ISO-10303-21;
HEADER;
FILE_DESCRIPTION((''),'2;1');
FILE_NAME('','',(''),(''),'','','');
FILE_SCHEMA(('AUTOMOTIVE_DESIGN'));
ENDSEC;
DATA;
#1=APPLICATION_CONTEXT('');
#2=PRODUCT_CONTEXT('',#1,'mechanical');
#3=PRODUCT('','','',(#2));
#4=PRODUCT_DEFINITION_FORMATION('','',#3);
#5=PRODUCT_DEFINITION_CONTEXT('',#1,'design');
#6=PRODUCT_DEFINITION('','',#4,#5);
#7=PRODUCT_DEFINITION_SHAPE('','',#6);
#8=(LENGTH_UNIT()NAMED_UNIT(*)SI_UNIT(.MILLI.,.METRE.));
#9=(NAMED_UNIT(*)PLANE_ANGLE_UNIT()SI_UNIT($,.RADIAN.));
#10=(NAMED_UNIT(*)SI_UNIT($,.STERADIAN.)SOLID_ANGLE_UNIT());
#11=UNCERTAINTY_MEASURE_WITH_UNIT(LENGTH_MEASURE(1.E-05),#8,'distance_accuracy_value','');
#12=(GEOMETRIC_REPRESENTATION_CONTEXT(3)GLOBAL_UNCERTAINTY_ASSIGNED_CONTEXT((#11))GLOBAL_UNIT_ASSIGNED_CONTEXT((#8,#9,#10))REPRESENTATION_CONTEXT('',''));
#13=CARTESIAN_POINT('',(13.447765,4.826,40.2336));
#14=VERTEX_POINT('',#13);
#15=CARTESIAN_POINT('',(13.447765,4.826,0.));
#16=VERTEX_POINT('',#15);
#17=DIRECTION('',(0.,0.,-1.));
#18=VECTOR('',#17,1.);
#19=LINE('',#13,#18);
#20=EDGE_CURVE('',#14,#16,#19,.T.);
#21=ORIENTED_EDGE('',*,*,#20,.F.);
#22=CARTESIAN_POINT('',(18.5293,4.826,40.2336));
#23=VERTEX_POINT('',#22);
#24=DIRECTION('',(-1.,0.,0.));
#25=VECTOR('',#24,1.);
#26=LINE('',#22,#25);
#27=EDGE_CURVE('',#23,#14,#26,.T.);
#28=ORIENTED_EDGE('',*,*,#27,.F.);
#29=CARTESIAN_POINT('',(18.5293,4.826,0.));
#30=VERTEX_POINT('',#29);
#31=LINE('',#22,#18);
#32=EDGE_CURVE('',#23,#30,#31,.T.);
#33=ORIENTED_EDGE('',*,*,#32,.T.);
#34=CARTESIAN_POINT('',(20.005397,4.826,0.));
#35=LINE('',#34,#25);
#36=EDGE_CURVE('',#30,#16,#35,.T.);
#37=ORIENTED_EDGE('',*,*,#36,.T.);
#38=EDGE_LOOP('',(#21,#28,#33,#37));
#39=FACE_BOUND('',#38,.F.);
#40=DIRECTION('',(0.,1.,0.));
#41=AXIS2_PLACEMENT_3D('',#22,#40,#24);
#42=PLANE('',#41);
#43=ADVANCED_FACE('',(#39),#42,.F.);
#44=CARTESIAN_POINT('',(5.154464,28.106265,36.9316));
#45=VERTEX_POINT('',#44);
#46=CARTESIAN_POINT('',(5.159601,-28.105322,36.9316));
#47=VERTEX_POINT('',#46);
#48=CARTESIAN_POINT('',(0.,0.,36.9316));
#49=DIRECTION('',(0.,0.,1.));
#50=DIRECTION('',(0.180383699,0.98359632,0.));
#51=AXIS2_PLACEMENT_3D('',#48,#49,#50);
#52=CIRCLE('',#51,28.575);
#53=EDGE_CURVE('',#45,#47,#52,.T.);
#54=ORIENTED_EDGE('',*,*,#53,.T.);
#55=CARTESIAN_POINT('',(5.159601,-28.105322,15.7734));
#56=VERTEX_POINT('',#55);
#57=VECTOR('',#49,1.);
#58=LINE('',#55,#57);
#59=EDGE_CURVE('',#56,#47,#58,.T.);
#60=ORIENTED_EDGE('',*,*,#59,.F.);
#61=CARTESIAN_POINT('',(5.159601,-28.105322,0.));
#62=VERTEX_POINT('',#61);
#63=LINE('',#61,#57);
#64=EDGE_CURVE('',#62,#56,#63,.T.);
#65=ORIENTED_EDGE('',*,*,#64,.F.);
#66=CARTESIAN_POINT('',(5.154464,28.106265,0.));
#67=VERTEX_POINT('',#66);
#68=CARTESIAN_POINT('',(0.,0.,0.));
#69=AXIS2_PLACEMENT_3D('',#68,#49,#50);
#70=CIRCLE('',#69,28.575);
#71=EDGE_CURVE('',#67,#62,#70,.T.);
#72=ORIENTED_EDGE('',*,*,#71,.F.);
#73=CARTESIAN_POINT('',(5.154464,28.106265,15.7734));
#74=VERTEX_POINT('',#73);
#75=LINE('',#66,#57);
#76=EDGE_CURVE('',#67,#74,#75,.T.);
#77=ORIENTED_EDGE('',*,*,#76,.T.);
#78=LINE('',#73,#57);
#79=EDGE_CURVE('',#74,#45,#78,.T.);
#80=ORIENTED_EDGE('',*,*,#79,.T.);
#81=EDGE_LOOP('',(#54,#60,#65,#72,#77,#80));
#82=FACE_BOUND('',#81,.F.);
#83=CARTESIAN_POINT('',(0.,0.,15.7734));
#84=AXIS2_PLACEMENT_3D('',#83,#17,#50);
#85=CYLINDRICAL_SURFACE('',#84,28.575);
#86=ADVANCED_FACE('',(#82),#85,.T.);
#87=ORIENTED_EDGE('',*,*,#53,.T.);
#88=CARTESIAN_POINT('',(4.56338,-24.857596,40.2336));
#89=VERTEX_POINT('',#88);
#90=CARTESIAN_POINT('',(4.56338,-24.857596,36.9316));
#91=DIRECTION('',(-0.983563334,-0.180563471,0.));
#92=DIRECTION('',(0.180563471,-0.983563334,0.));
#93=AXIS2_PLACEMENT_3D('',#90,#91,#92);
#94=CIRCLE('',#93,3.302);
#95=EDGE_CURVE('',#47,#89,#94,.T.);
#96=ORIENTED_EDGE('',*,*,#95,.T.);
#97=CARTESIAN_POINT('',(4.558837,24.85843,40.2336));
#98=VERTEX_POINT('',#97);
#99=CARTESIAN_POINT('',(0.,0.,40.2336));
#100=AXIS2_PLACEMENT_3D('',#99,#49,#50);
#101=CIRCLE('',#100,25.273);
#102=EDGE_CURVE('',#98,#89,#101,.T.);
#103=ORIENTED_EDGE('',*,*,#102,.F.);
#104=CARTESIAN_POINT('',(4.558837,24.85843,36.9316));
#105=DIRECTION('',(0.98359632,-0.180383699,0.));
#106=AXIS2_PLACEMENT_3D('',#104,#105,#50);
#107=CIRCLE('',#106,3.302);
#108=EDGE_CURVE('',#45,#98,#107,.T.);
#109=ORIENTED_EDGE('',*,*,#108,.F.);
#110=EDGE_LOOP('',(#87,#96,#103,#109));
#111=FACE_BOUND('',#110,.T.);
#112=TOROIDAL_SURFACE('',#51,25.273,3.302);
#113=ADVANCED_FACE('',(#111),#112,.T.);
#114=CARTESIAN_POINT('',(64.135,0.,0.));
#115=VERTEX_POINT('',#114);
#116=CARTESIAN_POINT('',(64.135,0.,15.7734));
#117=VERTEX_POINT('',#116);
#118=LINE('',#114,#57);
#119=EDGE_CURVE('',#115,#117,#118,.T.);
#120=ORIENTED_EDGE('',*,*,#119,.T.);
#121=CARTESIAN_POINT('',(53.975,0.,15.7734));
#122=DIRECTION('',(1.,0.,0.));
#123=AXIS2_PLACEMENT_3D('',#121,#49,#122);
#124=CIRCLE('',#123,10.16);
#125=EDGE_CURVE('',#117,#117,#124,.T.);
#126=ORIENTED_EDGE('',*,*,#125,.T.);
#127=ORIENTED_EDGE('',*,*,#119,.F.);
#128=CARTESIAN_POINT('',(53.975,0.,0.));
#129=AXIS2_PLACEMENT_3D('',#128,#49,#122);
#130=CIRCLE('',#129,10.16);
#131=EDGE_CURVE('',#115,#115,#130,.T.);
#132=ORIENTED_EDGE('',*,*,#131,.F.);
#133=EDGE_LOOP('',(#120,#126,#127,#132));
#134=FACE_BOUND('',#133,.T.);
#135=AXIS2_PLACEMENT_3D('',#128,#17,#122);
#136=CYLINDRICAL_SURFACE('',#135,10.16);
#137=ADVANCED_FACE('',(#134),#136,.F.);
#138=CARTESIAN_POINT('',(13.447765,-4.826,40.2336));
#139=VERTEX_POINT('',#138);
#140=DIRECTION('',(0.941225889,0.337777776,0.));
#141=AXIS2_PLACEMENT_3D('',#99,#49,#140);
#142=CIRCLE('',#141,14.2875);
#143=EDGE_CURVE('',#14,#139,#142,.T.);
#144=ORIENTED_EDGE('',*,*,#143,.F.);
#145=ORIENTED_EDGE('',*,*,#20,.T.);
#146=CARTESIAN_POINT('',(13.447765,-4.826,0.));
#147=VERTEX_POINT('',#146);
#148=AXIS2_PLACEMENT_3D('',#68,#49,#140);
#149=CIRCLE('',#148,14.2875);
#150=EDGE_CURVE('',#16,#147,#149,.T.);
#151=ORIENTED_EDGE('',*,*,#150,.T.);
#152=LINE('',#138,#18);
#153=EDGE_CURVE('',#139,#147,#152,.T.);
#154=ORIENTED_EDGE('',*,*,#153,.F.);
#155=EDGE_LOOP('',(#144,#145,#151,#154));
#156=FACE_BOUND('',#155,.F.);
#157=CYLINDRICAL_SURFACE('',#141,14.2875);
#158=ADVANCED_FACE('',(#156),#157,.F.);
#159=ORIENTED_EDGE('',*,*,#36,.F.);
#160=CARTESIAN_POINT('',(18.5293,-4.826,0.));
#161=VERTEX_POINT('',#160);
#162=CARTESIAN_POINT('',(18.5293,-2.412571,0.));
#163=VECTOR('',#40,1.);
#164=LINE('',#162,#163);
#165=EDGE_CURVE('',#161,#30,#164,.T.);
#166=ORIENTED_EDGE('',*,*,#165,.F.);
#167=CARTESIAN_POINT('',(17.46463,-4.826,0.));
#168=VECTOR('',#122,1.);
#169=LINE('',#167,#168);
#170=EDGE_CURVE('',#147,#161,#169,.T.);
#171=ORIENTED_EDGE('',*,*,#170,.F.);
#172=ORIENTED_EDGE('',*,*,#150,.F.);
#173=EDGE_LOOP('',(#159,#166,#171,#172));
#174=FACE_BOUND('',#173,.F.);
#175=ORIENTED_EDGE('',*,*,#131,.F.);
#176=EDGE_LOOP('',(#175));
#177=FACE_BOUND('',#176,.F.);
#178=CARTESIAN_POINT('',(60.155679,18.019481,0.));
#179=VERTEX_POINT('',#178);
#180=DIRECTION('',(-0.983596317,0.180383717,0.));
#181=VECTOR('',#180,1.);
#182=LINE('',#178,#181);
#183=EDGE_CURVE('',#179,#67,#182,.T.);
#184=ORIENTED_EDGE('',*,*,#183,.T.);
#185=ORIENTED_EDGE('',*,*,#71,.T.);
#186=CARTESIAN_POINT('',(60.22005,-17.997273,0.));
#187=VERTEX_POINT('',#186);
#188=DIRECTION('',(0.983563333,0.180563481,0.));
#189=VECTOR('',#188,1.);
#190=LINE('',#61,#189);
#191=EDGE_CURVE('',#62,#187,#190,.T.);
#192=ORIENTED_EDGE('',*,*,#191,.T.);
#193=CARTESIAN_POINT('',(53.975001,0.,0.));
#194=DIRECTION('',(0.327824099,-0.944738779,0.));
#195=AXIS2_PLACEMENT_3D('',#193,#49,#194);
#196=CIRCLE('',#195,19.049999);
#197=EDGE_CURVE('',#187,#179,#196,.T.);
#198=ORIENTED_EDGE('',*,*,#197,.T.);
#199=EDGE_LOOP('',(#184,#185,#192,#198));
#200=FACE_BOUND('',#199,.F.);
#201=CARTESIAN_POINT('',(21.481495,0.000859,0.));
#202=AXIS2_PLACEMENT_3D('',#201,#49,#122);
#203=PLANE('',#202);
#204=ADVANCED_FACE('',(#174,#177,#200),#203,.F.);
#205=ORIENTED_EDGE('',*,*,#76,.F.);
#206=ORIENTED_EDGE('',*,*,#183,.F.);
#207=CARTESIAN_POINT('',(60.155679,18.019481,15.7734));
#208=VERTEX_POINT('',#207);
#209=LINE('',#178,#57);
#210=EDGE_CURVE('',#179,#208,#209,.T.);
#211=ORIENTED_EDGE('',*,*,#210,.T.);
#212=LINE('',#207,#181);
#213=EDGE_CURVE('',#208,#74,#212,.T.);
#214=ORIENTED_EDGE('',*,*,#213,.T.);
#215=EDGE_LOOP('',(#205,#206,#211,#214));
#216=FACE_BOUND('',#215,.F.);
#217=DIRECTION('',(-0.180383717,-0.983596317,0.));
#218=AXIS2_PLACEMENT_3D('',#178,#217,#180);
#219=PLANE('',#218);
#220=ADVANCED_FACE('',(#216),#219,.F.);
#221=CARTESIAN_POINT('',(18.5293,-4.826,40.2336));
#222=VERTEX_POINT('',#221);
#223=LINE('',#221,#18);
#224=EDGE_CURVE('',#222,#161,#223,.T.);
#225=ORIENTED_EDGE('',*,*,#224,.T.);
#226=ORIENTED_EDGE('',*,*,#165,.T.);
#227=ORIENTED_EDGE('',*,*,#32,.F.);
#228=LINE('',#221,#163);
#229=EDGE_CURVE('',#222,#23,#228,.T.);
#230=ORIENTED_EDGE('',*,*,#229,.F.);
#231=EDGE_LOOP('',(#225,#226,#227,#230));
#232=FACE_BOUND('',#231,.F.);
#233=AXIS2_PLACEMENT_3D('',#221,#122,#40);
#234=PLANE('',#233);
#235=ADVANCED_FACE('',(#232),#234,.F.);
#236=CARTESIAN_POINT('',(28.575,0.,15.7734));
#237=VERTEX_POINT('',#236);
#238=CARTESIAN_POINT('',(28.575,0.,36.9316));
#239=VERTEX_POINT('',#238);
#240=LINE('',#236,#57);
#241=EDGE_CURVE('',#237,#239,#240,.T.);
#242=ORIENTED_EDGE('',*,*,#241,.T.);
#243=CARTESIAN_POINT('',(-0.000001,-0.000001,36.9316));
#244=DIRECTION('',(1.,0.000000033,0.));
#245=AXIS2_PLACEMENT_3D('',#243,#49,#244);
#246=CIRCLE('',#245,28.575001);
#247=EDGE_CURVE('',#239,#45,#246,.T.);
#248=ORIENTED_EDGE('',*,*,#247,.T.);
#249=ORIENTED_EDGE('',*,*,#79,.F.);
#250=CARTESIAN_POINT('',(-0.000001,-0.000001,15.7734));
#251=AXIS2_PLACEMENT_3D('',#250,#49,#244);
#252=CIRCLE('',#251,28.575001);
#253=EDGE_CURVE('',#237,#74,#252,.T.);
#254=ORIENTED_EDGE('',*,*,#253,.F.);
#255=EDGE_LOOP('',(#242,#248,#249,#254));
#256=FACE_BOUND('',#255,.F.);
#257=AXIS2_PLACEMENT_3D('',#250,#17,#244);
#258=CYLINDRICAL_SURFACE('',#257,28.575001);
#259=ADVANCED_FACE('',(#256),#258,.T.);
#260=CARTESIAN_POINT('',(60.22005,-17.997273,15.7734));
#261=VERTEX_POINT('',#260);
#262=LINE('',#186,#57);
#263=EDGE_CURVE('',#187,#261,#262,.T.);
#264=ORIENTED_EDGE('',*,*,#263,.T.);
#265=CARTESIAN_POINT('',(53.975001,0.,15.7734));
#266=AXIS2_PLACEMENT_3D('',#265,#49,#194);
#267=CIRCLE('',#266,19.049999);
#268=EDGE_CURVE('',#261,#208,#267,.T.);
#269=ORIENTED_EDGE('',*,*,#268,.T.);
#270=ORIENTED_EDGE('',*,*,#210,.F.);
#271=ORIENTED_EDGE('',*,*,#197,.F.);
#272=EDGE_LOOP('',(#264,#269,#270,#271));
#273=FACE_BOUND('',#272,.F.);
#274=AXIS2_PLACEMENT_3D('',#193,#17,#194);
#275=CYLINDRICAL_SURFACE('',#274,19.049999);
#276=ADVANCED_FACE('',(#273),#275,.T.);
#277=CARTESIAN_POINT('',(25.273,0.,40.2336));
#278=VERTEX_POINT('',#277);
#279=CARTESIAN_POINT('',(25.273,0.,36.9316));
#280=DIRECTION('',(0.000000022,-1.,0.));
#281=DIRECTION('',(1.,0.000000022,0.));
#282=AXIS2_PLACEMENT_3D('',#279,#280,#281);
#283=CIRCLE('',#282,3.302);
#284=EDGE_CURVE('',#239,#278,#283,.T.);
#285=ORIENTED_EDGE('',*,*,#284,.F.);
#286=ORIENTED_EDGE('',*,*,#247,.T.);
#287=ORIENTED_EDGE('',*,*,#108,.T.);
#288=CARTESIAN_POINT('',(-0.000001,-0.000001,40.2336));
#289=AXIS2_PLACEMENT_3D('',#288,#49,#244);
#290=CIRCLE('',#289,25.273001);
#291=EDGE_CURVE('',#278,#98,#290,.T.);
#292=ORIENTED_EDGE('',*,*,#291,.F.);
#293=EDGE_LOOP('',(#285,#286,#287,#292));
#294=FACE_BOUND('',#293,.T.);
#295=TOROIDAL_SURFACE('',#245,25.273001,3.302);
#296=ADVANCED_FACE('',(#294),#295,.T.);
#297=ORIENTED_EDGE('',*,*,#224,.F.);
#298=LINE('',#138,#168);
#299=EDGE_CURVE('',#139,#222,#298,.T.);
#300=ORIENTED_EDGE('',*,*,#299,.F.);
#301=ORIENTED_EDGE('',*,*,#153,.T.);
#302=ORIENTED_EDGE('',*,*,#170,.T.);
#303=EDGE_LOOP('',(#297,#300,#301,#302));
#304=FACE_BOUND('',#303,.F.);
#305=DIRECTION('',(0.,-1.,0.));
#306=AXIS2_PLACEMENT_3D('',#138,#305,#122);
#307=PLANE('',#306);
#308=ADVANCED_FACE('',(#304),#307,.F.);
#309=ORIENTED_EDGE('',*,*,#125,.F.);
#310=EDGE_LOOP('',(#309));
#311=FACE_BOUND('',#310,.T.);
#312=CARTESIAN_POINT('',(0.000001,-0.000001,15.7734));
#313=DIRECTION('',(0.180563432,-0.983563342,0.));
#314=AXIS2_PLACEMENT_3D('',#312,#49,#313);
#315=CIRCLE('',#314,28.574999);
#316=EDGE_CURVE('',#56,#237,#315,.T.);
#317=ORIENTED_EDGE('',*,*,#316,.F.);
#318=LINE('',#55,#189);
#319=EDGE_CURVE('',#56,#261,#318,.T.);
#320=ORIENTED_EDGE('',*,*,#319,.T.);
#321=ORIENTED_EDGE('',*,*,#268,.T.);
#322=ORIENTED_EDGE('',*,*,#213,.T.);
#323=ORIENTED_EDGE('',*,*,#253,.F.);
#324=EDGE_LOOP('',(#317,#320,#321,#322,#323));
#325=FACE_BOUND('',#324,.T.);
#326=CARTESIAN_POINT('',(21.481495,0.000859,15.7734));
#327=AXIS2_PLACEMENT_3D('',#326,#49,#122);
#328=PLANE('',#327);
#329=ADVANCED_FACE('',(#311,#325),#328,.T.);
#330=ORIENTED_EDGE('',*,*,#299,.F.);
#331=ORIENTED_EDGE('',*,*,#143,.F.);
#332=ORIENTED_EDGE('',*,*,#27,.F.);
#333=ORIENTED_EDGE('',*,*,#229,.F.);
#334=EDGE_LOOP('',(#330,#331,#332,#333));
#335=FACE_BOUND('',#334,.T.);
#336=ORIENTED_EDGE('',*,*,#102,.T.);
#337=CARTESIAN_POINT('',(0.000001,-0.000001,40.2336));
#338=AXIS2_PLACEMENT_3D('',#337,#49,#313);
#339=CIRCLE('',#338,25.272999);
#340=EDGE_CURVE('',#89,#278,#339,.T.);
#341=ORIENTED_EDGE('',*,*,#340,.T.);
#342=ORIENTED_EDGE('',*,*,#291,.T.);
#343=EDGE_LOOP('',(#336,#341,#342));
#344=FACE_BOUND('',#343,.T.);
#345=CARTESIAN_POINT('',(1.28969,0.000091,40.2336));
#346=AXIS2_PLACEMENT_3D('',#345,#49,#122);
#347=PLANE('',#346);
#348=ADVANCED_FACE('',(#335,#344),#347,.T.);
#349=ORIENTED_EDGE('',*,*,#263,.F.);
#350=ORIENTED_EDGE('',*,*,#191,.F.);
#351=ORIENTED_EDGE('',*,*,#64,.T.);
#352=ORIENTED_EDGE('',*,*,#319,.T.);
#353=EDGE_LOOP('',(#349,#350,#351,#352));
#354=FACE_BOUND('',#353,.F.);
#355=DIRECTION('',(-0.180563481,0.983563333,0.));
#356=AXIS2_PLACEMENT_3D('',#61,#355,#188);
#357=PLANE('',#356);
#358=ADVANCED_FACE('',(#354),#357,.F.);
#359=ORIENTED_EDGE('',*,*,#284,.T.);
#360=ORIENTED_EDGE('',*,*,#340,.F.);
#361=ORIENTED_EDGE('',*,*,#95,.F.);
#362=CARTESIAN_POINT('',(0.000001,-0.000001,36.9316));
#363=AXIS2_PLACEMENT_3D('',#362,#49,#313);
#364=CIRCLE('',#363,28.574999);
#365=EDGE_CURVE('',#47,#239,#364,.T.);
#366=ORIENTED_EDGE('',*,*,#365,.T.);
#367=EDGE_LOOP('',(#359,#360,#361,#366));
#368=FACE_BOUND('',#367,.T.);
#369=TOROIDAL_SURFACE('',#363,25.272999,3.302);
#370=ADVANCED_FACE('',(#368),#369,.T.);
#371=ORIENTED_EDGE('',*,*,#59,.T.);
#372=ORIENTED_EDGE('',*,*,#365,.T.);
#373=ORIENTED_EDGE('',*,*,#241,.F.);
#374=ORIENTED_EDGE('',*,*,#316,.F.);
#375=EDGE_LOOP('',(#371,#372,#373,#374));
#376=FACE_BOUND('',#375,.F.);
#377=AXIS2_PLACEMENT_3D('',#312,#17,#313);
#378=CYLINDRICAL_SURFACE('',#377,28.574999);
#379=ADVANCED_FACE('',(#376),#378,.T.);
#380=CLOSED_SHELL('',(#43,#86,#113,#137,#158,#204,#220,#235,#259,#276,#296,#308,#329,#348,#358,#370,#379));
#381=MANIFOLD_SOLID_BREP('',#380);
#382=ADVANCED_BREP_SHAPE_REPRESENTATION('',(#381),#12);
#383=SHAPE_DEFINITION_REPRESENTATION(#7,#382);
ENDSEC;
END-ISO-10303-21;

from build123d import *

# Parameters (mm, degrees)
F0_R     = 10.16
F1_DEPTH = 15.7734
F3_DEPTH = 24.4602
F5_DEPTH = 40.2346
F6_R     = 3.302


with BuildPart() as f1:
    # F0 (on Top) → F1 (new body)
    with BuildSketch(Plane.XY):
        with BuildLine():
            Line((60.155679, 18.019481), (5.154464, 28.106265))
            ThreePointArc((5.154464, 28.106265), (-28.575, -0.002611), (5.159601, -28.105322))
            Line((5.159601, -28.105322), (60.22005, -17.997273))
            ThreePointArc((60.22005, -17.997273), (73.02497, 0.034047), (60.155679, 18.019481))
        make_face()
        with Locations((53.975, 0)):
            Circle(F0_R, mode=Mode.SUBTRACT)
    extrude(amount=F1_DEPTH)

    # F2 (on face) → F3 (join)
    with BuildSketch(Plane.XY.offset(15.7734)):
        with BuildLine():
            ThreePointArc((5.159601, -28.105322), (21.954114, -18.29064), (28.575, 0))
            ThreePointArc((28.575, 0), (21.952442, 18.292646), (5.154464, 28.106265))
            ThreePointArc((5.154464, 28.106265), (-28.575, -0.002611), (5.159601, -28.105322))
        make_face()
    extrude(amount=F3_DEPTH)

    # F4 (on face) → F5 (cut, through all)
    with BuildSketch(Plane.XY.offset(40.2336)):
        with BuildLine():
            Line((18.5293, 4.826), (13.447765, 4.826))
            ThreePointArc((13.447765, 4.826), (-14.2875, 0), (13.447765, -4.826))
            Line((13.447765, -4.826), (18.5293, -4.826))
            Line((18.5293, -4.826), (18.5293, 4.826))
        make_face()
    extrude(amount=-F5_DEPTH, mode=Mode.SUBTRACT)

    # F6
    f6_edges = [f1.edges().sort_by_distance(p)[0] for p in [
        (-5.159601, 28.105322, 40.2336),
    ]]
    fillet(f6_edges, radius=F6_R)


solid = f1.part
